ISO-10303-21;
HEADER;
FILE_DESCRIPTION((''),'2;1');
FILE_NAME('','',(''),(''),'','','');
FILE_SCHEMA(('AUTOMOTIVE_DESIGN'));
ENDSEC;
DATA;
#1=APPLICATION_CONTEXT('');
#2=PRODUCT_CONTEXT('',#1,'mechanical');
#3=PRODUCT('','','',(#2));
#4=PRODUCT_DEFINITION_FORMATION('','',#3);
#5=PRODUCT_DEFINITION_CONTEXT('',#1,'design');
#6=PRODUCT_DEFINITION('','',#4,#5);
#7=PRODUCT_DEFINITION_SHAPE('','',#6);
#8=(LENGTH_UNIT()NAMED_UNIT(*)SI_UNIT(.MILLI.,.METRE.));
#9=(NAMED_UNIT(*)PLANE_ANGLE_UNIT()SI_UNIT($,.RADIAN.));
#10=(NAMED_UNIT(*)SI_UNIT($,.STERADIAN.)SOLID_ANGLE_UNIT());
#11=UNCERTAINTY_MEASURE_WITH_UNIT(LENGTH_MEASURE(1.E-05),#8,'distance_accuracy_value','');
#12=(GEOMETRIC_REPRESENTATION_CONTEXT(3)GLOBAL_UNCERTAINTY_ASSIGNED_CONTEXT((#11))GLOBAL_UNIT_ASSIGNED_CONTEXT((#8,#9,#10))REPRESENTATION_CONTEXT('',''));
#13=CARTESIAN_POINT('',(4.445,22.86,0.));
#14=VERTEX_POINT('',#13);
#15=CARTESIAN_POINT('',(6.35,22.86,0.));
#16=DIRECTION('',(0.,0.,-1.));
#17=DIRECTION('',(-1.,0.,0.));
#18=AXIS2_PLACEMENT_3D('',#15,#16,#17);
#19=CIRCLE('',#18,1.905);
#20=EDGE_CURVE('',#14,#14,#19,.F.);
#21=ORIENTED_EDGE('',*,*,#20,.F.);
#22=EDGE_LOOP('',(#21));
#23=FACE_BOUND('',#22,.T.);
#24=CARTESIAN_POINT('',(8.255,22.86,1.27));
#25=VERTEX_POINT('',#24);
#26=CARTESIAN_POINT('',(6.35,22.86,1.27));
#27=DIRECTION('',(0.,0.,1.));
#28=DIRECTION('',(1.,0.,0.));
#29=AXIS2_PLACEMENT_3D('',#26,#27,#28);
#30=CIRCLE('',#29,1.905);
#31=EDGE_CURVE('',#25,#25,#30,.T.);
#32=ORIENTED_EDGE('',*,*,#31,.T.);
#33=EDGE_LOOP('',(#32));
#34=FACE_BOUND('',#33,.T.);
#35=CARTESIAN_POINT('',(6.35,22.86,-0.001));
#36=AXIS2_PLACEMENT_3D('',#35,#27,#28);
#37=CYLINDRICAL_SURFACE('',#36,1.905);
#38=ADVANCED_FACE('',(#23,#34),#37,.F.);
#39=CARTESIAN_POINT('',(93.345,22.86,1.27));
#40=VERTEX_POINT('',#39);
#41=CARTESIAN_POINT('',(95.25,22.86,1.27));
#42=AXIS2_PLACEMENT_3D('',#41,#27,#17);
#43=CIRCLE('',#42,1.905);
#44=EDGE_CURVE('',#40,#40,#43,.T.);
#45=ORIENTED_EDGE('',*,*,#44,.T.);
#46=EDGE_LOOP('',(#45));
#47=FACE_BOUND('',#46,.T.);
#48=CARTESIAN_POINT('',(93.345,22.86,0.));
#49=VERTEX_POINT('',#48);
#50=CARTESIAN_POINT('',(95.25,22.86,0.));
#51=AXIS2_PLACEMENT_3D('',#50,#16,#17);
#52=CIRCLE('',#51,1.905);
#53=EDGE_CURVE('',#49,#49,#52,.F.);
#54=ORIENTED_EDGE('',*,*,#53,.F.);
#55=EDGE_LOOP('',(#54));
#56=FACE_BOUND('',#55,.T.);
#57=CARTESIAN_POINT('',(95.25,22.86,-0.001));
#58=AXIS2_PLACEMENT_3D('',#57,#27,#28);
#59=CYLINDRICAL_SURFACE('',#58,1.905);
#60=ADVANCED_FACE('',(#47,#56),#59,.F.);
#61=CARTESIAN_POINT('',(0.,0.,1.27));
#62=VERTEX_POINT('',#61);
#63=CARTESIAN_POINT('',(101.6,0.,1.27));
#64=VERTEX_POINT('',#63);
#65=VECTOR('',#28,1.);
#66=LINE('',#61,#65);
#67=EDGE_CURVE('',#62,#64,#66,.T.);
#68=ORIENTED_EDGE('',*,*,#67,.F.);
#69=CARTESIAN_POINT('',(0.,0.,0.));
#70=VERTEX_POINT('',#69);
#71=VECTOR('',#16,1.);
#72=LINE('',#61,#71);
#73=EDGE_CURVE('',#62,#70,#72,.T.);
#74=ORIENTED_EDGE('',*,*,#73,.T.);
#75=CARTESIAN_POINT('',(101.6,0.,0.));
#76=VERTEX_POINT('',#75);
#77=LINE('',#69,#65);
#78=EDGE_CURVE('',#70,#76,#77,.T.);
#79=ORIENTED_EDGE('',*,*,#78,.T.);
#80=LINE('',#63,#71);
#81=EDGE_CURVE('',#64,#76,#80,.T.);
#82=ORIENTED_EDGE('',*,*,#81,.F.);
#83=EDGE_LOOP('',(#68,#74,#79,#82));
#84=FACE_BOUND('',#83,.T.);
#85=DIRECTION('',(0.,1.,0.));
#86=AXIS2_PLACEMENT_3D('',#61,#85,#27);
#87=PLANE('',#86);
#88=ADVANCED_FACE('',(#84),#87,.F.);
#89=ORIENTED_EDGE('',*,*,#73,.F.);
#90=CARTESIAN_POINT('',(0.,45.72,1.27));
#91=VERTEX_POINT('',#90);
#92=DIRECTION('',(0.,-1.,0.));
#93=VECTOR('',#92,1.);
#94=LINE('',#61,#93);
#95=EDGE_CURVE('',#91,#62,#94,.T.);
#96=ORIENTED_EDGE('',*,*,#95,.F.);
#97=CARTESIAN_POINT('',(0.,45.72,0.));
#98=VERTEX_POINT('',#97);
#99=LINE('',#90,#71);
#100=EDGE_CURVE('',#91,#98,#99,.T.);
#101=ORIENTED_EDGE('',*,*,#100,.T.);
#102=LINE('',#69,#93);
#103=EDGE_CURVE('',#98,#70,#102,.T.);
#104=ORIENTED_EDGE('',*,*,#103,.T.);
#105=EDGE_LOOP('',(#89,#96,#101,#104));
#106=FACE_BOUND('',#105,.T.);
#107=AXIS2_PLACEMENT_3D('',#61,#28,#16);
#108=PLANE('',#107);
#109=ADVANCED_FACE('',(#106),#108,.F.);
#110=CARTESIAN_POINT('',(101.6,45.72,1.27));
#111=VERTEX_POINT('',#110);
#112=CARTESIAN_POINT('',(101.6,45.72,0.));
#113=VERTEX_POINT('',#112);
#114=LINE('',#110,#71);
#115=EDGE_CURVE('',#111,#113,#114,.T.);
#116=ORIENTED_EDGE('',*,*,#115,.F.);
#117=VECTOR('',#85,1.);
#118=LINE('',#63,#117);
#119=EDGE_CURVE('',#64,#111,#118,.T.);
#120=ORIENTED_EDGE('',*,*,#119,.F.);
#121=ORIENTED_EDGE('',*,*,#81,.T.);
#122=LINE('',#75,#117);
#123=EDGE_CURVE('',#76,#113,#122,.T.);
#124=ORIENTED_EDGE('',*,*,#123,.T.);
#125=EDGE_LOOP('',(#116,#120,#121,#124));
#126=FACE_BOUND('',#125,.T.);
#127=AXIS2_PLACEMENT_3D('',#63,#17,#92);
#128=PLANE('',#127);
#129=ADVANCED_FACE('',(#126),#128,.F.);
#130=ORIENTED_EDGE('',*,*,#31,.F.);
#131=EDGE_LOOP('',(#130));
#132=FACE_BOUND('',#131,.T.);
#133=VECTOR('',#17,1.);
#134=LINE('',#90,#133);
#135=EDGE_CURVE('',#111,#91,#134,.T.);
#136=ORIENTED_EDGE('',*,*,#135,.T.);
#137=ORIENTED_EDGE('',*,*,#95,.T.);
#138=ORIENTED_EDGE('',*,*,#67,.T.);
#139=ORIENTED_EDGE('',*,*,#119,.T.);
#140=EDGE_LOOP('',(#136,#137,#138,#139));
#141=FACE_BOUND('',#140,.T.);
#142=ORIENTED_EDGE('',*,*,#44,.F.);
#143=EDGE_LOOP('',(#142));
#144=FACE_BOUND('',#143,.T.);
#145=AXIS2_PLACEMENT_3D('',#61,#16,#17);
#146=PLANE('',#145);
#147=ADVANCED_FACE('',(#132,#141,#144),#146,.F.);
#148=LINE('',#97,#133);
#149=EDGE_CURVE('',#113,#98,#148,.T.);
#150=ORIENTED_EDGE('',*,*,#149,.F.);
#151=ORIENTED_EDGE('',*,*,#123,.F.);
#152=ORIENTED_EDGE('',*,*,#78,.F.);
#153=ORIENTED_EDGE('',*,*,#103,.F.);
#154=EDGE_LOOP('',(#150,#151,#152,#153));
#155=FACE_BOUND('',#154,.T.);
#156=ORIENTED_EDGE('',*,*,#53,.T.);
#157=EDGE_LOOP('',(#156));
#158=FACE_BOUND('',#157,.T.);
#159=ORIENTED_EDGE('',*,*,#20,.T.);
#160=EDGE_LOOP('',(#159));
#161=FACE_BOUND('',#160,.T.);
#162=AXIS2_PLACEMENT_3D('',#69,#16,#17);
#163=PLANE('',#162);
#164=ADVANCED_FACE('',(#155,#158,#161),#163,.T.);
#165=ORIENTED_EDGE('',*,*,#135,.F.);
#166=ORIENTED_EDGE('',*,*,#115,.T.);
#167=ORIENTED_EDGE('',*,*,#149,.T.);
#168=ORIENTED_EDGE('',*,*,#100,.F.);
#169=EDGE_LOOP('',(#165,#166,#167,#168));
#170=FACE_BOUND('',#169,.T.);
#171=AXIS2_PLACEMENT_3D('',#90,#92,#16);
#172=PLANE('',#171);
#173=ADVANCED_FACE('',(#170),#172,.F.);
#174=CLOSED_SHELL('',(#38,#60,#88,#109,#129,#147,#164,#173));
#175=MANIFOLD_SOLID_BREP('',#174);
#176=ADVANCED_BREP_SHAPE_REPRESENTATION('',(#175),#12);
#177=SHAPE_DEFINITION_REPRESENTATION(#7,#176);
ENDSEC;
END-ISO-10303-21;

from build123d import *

# Parameters (mm, degrees)
SKETCH1_W          = 101.6
SKETCH1_H          = 45.72
BASE_EXTRUDE_DEPTH = 1.27
HOLE_CUT_REACH     = 113.42
SKETCH2_R          = 1.905


with BuildPart() as part:
    # Sketch1 → Base Extrude (new body)
    with BuildSketch(Plane.XY):
        with Locations((50.8, 22.86)):
            Rectangle(SKETCH1_W, SKETCH1_H)
    extrude(amount=BASE_EXTRUDE_DEPTH)

    # Sketch2 → Hole Cut (cut, up to next)
    with BuildSketch(Plane.XY.offset(1.27), mode=Mode.PRIVATE) as hole_cut_sk1:
        with Locations((6.35, 22.86)):
            Circle(SKETCH2_R)
    hole_cut_tool1 = extrude(hole_cut_sk1.sketch, amount=-HOLE_CUT_REACH, mode=Mode.PRIVATE) & part.part
    # Sketch2 → Hole Cut (cut, up to next)
    with BuildSketch(Plane.XY.offset(1.27), mode=Mode.PRIVATE) as hole_cut_sk2:
        with Locations(Location((95.25, 22.86, 0), (0, 0, 180))):
            Circle(SKETCH2_R)
    hole_cut_tool2 = extrude(hole_cut_sk2.sketch, amount=-HOLE_CUT_REACH, mode=Mode.PRIVATE) & part.part
    add(hole_cut_tool1.solids().sort_by_distance((6.35, 22.86, 1.27))[0], mode=Mode.SUBTRACT)
    add(hole_cut_tool2.solids().sort_by_distance((95.25, 22.86, 1.27))[0], mode=Mode.SUBTRACT)


solid = part.part
